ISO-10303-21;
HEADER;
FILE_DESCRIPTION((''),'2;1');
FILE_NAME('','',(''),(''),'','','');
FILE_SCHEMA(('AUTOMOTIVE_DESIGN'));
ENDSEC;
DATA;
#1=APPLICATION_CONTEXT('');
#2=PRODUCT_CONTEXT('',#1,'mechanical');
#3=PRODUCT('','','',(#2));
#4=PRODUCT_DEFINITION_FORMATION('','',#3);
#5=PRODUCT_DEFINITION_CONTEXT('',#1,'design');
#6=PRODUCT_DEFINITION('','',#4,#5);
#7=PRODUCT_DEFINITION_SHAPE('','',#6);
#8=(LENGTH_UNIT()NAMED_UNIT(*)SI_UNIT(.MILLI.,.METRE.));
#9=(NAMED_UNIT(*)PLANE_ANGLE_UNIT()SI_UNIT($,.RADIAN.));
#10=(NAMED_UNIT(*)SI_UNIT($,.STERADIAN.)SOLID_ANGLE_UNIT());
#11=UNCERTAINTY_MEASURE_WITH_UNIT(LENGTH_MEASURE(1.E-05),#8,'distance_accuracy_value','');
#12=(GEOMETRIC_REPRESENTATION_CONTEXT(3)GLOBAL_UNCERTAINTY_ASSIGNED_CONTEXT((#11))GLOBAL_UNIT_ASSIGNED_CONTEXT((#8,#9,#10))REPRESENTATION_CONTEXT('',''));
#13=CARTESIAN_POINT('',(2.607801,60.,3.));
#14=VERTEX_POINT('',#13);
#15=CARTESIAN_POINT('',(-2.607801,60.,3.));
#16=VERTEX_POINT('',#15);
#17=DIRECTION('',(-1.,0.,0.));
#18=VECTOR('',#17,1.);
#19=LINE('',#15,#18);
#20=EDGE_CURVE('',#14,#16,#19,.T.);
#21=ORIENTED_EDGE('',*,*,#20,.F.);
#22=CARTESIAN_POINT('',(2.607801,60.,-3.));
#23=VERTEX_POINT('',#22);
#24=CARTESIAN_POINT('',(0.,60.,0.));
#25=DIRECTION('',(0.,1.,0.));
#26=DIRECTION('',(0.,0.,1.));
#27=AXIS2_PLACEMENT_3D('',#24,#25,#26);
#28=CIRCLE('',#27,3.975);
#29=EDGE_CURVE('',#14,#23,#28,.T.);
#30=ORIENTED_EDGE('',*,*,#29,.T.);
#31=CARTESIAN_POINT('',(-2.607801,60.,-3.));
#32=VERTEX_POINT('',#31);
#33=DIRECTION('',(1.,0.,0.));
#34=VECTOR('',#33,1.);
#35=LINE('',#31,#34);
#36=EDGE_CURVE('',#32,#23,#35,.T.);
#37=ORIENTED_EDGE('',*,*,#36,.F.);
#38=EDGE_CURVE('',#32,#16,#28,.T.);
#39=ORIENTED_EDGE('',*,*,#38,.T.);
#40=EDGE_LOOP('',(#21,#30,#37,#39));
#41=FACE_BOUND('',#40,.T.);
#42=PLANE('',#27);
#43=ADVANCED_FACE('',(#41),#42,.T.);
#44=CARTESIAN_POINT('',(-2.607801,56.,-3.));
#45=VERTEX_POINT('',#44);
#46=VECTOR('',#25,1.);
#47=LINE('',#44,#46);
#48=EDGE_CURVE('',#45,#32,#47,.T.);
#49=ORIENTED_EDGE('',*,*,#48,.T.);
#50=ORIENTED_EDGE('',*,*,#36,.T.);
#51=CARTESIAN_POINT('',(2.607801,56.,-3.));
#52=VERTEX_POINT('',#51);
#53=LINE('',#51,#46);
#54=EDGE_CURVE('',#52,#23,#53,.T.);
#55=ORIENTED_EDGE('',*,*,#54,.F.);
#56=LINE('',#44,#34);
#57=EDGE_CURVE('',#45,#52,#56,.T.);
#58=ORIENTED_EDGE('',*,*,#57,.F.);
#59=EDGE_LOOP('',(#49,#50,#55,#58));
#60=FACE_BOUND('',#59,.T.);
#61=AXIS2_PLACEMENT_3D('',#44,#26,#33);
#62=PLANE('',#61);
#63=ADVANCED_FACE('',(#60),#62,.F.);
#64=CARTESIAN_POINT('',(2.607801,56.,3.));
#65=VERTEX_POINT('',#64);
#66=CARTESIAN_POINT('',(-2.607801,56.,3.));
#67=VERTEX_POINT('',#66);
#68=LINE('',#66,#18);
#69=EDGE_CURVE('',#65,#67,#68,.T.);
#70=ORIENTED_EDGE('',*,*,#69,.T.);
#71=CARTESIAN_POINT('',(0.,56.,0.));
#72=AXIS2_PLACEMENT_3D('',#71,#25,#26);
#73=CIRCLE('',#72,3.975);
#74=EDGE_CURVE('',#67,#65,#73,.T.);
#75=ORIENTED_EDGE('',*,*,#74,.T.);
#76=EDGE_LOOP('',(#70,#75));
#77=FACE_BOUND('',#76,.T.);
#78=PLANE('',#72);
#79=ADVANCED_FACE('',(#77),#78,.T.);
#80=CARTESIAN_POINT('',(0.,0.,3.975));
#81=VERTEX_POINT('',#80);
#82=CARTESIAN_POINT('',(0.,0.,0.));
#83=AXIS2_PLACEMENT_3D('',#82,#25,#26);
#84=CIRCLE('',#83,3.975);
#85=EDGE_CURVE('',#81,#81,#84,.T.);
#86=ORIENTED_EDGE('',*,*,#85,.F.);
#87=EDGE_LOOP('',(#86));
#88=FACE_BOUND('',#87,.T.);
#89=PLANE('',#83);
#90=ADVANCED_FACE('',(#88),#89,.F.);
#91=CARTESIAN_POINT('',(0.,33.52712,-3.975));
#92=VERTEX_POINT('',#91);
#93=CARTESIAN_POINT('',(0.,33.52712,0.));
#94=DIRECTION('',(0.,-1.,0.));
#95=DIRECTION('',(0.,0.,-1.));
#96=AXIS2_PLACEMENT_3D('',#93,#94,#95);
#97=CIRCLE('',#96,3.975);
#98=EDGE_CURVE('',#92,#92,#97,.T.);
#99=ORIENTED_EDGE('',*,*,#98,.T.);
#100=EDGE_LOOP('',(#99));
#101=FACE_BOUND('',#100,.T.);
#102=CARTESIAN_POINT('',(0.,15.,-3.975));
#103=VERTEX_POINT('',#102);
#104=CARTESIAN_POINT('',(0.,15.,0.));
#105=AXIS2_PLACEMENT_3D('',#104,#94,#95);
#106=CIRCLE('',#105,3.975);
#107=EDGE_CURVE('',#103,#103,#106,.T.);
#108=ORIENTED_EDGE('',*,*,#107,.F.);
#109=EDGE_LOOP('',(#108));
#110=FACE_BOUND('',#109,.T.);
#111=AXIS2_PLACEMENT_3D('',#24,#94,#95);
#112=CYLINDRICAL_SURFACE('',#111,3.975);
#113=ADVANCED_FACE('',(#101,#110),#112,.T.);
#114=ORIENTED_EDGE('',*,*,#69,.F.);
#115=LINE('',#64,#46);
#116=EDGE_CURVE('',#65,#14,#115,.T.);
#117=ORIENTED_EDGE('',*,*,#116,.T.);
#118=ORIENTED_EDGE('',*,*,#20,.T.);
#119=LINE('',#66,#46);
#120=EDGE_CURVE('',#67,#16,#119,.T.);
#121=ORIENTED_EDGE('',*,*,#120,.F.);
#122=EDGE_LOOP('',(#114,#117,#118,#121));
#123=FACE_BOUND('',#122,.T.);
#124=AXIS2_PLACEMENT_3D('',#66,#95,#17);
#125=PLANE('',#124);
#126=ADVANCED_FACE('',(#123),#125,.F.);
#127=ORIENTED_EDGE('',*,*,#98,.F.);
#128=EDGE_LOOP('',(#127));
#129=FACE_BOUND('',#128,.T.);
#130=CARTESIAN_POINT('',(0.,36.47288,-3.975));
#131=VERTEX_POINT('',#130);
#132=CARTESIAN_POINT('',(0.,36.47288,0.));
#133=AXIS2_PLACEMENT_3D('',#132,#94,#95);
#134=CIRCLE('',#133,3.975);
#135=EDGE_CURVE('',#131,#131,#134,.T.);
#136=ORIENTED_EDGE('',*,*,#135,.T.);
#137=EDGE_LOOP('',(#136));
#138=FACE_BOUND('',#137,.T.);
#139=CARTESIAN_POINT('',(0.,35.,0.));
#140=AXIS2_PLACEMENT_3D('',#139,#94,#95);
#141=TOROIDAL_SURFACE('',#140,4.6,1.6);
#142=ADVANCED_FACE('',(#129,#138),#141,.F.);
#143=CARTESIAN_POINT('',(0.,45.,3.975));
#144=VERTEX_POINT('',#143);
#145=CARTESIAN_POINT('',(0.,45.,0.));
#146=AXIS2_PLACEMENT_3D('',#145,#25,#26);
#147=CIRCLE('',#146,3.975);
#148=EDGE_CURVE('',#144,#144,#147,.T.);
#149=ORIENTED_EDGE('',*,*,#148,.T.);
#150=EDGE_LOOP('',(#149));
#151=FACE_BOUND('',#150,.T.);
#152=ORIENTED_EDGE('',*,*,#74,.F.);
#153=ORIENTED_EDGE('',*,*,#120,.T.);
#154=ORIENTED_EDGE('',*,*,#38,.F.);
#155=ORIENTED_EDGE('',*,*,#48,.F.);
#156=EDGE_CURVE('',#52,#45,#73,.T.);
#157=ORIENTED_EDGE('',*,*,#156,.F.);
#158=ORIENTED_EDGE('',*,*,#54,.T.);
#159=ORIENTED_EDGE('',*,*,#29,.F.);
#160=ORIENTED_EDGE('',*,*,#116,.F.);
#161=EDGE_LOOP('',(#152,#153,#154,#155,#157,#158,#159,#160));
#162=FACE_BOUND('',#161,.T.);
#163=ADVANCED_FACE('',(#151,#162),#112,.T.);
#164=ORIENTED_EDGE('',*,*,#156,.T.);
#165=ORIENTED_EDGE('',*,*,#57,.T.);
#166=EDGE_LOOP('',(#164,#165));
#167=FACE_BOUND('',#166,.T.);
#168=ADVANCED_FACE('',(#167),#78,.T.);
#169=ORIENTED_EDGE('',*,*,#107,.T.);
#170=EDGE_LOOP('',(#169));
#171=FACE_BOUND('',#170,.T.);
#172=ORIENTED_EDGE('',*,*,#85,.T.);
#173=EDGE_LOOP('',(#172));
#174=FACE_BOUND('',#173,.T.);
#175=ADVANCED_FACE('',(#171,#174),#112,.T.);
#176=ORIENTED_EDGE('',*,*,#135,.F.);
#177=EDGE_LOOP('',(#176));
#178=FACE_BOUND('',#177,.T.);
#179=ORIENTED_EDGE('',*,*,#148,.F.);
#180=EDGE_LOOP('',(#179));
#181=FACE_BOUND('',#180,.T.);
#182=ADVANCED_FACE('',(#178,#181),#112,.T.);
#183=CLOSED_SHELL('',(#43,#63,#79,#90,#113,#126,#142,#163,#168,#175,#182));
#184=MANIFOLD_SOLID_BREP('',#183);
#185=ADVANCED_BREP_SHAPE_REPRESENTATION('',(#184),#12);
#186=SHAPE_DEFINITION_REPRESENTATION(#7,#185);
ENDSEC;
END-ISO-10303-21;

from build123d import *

# Parameters (mm, degrees)
CROQUIS1_R              = 3.975
SALIENTE_EXTRUIR1_DEPTH = 60
CORTAR_EXTRUIR1_START   = -4
CORTAR_EXTRUIR1_DEPTH   = 4


with BuildPart() as part:
    # Croquis1 → Saliente-Extruir1 (new body)
    with BuildSketch(Plane(origin=(0, 0, 0), x_dir=(1, 0, 0), z_dir=(0, 1, 0))):
        with Locations(Location((0, 0, 0), (0, 0, 270))):
            Circle(CROQUIS1_R)
    extrude(amount=SALIENTE_EXTRUIR1_DEPTH)

    # Croquis2 → Cortar-Revolución1 (revolve, cut)
    with BuildSketch(Plane.XY, mode=Mode.PRIVATE) as cortar_revoluci_n1_sk:
        with BuildLine():
            Line((3.975, 33.527120168), (3.975, 36.472879832))
            ThreePointArc((3.975, 36.472879832), (3, 35), (3.975, 33.527120168))
        make_face()
    revolve(cortar_revoluci_n1_sk.sketch.rotate(Axis((0, 0, 0), (0, 1, 0)), 90), axis=Axis((0, 0, 0), (0, 1, 0)), mode=Mode.SUBTRACT)

    # Croquis3 → Cortar-Extruir1 (cut)
    with BuildSketch(Plane(origin=(0, 60, 0), x_dir=(1, 0, 0), z_dir=(0, 1, 0)).offset(CORTAR_EXTRUIR1_START)):
        with BuildLine():
            Line((-2.607800798, 3), (2.607800798, 3))
            ThreePointArc((2.607800798, 3), (0, 3.975), (-2.607800798, 3))
        make_face()
        with BuildLine():
            Line((-2.607800798, -3), (2.607800798, -3))
            ThreePointArc((2.607800798, -3), (0, -3.975), (-2.607800798, -3))
        make_face()
    extrude(amount=CORTAR_EXTRUIR1_DEPTH, mode=Mode.SUBTRACT)


solid = part.part
